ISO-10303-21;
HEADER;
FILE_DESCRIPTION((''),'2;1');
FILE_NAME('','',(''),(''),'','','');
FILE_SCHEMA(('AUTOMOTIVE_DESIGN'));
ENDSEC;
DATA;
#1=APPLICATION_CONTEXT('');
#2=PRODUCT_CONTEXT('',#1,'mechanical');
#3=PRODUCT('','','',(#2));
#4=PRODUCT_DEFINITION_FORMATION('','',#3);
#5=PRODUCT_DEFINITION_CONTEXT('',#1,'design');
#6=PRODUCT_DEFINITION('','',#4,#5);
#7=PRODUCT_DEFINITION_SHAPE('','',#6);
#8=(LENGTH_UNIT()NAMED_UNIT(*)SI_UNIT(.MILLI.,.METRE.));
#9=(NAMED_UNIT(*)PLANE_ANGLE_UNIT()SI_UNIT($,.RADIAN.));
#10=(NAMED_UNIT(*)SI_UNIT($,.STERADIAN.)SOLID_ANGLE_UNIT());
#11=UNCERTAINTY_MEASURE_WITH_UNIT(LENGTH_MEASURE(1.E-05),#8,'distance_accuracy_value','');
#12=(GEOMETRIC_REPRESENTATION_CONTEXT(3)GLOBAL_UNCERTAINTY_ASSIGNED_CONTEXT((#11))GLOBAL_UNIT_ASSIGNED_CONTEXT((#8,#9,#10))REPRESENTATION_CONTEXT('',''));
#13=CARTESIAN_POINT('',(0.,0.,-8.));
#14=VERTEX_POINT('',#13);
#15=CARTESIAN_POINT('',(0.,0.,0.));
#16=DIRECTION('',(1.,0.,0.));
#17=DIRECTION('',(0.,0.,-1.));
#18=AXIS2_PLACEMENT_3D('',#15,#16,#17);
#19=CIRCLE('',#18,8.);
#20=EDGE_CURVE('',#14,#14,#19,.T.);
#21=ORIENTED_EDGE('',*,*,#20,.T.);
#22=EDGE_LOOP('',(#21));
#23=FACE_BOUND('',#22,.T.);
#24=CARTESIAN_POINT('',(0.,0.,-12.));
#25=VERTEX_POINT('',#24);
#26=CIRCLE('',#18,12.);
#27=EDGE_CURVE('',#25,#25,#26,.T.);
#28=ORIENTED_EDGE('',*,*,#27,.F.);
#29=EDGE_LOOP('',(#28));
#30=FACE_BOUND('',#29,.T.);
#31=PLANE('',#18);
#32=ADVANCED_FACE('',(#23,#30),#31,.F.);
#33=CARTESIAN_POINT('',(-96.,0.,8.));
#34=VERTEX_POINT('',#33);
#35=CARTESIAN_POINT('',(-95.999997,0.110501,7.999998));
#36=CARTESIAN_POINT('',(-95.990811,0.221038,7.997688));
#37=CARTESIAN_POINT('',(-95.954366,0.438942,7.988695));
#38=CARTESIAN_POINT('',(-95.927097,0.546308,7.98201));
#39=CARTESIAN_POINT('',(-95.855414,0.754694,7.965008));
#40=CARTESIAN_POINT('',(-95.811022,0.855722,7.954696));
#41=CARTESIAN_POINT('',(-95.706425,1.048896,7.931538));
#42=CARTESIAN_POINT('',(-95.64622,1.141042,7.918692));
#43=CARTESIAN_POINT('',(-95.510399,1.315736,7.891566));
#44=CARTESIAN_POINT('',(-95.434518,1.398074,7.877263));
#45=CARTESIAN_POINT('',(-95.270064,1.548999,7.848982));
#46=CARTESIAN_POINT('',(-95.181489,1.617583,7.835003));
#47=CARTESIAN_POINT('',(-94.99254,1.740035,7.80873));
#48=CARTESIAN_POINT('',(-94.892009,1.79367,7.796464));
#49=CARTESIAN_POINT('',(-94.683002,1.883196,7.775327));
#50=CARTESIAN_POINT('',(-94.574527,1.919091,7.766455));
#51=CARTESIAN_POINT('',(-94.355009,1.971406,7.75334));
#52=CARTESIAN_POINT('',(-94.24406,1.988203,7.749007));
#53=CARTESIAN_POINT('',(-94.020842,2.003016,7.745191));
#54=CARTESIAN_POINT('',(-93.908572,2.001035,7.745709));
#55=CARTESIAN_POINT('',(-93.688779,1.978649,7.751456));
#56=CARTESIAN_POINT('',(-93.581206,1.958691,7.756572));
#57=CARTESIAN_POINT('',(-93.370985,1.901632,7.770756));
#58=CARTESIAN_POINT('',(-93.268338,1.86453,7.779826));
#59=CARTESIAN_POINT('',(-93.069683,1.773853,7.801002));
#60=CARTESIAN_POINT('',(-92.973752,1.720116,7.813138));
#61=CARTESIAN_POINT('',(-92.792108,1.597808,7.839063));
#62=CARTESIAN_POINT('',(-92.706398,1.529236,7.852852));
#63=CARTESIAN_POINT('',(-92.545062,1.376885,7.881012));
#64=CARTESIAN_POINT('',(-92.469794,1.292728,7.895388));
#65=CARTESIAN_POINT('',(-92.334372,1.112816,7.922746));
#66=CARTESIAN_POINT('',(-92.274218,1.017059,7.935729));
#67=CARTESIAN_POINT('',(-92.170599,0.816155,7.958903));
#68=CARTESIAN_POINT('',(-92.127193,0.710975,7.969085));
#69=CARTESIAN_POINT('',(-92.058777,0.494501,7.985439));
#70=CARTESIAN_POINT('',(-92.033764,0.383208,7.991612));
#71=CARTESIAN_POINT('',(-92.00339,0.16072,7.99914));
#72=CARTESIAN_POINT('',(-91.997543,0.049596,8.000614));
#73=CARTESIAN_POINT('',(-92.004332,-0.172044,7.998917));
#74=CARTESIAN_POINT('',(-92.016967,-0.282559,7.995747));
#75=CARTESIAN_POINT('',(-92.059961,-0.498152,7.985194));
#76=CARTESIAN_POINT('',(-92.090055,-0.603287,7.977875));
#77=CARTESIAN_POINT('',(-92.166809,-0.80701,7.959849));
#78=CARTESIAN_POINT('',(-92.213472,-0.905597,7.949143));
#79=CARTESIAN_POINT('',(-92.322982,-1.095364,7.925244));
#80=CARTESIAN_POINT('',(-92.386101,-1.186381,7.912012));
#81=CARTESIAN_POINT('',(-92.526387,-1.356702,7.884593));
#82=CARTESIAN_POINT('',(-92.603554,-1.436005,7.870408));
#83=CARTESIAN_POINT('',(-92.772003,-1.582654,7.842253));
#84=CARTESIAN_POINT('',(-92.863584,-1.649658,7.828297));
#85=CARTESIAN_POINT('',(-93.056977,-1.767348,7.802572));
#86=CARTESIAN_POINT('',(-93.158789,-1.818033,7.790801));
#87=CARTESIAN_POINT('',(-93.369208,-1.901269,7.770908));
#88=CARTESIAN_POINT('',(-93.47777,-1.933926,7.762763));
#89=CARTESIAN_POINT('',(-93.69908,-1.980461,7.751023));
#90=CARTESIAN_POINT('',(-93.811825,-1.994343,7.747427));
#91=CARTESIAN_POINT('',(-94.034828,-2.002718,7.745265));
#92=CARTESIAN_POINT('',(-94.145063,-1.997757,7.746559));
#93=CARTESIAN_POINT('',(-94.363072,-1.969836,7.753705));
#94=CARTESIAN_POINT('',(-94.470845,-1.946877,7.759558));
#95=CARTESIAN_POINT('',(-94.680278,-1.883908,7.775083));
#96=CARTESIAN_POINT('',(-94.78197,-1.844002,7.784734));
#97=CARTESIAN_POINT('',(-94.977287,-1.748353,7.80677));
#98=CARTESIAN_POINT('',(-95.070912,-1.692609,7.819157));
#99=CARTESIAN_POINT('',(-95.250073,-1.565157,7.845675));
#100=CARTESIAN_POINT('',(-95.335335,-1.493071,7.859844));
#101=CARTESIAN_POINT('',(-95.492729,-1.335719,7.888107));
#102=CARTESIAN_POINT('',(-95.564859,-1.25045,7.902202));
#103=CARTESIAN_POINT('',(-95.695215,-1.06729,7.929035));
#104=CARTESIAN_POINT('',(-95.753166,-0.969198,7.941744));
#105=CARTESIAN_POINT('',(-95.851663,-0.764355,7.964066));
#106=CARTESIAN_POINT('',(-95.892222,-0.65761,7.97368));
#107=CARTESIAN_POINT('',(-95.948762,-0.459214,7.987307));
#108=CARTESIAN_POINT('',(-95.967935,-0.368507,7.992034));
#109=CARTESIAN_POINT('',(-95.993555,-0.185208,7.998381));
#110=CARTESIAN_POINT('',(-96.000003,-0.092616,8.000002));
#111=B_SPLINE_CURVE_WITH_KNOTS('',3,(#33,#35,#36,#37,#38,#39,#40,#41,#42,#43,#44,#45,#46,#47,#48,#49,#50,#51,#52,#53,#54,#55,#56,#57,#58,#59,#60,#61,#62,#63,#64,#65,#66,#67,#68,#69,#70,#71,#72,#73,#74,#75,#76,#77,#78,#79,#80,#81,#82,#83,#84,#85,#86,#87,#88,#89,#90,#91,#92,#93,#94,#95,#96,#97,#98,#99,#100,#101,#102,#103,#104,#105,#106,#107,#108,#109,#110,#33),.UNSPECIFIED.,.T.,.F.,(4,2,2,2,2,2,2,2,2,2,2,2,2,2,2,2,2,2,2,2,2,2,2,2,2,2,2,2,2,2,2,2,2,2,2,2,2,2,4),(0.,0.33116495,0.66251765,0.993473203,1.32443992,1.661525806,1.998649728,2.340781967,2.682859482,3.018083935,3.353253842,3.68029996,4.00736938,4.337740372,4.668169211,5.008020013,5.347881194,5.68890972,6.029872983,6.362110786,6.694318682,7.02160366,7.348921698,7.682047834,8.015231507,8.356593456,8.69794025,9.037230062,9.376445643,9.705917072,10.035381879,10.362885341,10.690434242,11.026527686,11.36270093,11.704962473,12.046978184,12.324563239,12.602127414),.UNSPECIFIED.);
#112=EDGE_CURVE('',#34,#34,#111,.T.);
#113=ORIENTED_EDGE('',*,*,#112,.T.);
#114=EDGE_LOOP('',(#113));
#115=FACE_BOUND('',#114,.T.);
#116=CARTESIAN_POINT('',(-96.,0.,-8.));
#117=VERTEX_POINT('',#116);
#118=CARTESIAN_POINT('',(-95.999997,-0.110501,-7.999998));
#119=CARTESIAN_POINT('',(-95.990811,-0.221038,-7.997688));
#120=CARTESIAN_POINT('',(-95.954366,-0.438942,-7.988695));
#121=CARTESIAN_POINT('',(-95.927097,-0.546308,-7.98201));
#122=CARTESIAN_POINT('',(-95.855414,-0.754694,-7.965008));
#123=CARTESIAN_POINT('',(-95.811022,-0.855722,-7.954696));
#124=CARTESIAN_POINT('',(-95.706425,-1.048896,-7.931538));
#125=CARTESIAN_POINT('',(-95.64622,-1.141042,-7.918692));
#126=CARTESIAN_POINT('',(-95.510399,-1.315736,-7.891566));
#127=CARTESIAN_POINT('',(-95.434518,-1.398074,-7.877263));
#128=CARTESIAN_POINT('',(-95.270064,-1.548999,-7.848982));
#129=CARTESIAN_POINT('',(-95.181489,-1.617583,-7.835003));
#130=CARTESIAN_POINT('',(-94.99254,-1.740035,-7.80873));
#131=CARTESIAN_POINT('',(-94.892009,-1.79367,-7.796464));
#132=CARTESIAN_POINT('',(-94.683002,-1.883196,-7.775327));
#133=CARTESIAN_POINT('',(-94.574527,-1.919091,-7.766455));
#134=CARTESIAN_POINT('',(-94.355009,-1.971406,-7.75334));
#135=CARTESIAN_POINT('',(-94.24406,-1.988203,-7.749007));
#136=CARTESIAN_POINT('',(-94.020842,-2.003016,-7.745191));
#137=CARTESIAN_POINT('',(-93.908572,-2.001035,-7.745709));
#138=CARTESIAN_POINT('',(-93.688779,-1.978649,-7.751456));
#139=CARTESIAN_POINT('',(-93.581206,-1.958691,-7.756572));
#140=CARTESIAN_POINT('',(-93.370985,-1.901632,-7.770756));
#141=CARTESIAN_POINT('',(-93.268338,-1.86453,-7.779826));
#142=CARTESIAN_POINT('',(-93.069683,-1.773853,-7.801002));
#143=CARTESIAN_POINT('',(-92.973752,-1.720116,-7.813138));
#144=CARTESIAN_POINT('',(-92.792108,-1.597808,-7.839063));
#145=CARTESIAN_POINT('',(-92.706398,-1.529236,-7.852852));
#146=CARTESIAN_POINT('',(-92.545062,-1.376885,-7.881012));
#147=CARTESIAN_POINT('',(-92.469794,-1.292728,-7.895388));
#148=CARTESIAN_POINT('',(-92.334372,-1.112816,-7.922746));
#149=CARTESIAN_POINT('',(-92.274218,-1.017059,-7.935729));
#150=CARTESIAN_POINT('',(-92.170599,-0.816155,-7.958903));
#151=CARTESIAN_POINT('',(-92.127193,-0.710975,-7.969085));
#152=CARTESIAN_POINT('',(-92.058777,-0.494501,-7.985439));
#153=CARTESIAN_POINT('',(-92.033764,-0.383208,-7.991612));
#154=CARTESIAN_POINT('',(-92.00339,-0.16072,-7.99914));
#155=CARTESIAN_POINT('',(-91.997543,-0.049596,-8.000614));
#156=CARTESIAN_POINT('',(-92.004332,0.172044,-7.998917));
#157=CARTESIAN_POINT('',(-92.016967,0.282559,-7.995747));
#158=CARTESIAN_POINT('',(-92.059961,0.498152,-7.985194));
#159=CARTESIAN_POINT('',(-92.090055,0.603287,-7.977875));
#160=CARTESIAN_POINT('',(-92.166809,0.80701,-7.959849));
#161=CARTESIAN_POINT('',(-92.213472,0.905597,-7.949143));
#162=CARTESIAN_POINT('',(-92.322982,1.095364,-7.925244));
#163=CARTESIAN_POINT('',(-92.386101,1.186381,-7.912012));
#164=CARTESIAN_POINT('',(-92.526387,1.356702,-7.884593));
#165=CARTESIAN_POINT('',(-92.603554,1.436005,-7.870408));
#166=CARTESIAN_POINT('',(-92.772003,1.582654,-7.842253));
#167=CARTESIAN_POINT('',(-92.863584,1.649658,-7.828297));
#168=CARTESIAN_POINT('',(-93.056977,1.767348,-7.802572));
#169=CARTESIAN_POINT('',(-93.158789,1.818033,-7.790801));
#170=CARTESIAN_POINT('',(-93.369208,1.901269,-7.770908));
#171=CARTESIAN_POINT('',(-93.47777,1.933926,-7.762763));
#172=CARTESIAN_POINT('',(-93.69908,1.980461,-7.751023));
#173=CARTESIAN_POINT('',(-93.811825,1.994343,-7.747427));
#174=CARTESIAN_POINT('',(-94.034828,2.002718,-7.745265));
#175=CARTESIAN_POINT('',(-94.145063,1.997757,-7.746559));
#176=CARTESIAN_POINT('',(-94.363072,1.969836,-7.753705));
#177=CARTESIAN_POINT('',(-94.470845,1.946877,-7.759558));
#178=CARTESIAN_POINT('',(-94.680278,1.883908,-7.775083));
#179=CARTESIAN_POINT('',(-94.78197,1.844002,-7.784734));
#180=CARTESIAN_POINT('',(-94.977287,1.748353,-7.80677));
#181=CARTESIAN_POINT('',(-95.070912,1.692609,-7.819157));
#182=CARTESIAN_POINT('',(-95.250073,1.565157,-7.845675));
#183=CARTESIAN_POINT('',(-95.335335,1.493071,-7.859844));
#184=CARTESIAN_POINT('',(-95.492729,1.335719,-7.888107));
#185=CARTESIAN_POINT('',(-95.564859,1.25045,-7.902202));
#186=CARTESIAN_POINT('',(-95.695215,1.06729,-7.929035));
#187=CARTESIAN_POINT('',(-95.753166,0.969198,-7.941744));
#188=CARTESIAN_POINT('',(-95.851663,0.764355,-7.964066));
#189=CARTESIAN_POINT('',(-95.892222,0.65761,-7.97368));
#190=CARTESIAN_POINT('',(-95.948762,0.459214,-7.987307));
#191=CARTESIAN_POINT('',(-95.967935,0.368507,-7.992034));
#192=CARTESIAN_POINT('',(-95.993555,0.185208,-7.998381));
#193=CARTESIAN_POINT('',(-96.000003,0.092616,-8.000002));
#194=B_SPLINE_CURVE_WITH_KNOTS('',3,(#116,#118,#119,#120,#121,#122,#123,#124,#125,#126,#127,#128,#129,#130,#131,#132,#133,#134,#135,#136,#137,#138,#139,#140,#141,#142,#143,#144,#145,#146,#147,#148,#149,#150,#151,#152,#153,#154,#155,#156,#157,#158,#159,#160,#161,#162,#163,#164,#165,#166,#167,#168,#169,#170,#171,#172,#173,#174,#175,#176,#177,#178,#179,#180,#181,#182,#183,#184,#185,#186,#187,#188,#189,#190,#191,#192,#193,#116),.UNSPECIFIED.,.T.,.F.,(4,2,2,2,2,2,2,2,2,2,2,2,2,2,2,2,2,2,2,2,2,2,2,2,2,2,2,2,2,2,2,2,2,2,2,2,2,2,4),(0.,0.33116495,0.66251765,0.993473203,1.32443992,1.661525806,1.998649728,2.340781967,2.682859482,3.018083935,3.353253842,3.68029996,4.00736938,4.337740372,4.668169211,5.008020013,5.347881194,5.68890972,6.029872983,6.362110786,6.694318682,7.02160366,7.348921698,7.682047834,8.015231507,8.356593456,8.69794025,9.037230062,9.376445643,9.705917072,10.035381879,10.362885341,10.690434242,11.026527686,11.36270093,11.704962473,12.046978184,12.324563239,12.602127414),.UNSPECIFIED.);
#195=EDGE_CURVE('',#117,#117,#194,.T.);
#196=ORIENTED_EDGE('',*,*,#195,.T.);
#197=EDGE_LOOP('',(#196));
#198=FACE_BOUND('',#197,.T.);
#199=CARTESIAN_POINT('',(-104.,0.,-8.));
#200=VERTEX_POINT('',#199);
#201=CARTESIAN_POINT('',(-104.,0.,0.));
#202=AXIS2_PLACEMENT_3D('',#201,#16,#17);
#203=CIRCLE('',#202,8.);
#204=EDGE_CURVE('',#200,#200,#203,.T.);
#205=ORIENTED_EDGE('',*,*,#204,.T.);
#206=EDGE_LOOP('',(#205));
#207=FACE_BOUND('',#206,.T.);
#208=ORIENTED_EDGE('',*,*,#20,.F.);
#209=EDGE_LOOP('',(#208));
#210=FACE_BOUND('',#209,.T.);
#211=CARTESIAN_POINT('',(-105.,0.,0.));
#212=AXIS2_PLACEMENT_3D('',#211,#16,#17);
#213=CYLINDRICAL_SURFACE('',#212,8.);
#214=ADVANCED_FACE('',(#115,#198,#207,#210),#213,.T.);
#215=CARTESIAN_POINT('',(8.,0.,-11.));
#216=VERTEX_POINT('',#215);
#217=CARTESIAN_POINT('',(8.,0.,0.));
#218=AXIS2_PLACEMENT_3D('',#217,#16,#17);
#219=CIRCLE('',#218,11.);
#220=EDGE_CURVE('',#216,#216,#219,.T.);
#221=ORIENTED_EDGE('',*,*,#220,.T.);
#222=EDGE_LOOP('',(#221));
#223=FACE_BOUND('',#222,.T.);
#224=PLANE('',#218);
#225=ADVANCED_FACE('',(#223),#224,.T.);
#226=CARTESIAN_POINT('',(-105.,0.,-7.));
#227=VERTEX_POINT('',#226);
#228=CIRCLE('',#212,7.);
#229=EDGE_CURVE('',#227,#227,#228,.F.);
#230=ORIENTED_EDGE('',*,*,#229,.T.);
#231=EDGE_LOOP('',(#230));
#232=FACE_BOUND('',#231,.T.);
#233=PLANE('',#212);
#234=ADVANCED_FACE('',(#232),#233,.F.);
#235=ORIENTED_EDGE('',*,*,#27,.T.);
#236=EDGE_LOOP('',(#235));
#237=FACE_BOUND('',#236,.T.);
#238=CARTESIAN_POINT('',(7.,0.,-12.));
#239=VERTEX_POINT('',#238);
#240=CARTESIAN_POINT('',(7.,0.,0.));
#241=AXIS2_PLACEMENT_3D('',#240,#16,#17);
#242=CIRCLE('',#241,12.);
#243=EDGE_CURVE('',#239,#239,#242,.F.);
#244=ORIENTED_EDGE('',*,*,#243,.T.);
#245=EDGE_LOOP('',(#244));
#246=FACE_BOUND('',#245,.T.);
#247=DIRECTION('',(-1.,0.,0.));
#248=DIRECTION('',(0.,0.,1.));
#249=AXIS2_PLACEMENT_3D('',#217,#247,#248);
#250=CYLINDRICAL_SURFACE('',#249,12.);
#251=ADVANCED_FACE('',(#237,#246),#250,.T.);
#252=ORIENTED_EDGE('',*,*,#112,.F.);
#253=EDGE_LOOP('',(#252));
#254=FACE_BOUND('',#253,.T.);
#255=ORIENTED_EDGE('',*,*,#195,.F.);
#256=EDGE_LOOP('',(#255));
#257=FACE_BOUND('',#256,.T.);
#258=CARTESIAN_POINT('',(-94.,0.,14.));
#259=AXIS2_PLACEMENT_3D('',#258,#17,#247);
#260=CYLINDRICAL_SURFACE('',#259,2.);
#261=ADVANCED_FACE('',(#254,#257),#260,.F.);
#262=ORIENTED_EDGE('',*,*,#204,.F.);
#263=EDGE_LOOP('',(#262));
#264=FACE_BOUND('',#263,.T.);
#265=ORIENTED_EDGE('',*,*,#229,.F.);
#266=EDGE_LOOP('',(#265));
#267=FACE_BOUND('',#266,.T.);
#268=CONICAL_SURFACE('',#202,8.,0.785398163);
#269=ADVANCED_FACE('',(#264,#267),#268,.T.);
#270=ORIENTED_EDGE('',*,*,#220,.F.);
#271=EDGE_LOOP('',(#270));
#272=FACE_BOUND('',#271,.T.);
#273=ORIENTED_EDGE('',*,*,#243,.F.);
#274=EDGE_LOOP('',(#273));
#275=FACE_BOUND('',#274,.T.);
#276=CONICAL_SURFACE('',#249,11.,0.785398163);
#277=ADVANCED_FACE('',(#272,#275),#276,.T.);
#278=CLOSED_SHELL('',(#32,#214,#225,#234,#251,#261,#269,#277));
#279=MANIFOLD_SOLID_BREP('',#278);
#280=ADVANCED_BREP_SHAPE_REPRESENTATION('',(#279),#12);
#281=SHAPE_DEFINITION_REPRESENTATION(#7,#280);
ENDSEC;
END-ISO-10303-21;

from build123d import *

# Parameters (mm, degrees)
SKETCH1_R               = 8
BOSS_EXTRUDE1_DEPTH     = 105
SKETCH1_4_R             = 12
BOSS_EXTRUDE2_DEPTH     = 8
CHAMFER1_SIZE           = 1
CUT_EXTRUDE1_DEPTH      = 14
CUT_EXTRUDE1_DEPTH_BACK = 20
SKETCH2_R               = 2


with BuildPart() as part:
    # Sketch1 → Boss-Extrude1 (new body)
    with BuildSketch(Plane(origin=(0, 0, 0), x_dir=(0, 0, -1), z_dir=(1, 0, 0))):
        Circle(SKETCH1_R)
    extrude(amount=-BOSS_EXTRUDE1_DEPTH)

    # Sketch1<4> → Boss-Extrude2 (add)
    with BuildSketch(Plane(origin=(0, 0, 0), x_dir=(0, 0, -1), z_dir=(1, 0, 0))):
        Circle(SKETCH1_4_R)
    extrude(amount=BOSS_EXTRUDE2_DEPTH)

    # Chamfer1
    chamfer1_edges = [part.edges().sort_by_distance(p)[0] for p in [
        (-105, 0, 8),
        (8, 0, 12),
    ]]
    chamfer(chamfer1_edges, length=CHAMFER1_SIZE)

    # Sketch2 → Cut-Extrude1 (cut, two sides: drawn at the far end of the back side and taken through both)
    with BuildSketch(Plane.XY.offset(-CUT_EXTRUDE1_DEPTH_BACK)):
        with Locations((-94, 0)):
            Circle(SKETCH2_R)
    extrude(amount=CUT_EXTRUDE1_DEPTH + CUT_EXTRUDE1_DEPTH_BACK, mode=Mode.SUBTRACT)


solid = part.part
